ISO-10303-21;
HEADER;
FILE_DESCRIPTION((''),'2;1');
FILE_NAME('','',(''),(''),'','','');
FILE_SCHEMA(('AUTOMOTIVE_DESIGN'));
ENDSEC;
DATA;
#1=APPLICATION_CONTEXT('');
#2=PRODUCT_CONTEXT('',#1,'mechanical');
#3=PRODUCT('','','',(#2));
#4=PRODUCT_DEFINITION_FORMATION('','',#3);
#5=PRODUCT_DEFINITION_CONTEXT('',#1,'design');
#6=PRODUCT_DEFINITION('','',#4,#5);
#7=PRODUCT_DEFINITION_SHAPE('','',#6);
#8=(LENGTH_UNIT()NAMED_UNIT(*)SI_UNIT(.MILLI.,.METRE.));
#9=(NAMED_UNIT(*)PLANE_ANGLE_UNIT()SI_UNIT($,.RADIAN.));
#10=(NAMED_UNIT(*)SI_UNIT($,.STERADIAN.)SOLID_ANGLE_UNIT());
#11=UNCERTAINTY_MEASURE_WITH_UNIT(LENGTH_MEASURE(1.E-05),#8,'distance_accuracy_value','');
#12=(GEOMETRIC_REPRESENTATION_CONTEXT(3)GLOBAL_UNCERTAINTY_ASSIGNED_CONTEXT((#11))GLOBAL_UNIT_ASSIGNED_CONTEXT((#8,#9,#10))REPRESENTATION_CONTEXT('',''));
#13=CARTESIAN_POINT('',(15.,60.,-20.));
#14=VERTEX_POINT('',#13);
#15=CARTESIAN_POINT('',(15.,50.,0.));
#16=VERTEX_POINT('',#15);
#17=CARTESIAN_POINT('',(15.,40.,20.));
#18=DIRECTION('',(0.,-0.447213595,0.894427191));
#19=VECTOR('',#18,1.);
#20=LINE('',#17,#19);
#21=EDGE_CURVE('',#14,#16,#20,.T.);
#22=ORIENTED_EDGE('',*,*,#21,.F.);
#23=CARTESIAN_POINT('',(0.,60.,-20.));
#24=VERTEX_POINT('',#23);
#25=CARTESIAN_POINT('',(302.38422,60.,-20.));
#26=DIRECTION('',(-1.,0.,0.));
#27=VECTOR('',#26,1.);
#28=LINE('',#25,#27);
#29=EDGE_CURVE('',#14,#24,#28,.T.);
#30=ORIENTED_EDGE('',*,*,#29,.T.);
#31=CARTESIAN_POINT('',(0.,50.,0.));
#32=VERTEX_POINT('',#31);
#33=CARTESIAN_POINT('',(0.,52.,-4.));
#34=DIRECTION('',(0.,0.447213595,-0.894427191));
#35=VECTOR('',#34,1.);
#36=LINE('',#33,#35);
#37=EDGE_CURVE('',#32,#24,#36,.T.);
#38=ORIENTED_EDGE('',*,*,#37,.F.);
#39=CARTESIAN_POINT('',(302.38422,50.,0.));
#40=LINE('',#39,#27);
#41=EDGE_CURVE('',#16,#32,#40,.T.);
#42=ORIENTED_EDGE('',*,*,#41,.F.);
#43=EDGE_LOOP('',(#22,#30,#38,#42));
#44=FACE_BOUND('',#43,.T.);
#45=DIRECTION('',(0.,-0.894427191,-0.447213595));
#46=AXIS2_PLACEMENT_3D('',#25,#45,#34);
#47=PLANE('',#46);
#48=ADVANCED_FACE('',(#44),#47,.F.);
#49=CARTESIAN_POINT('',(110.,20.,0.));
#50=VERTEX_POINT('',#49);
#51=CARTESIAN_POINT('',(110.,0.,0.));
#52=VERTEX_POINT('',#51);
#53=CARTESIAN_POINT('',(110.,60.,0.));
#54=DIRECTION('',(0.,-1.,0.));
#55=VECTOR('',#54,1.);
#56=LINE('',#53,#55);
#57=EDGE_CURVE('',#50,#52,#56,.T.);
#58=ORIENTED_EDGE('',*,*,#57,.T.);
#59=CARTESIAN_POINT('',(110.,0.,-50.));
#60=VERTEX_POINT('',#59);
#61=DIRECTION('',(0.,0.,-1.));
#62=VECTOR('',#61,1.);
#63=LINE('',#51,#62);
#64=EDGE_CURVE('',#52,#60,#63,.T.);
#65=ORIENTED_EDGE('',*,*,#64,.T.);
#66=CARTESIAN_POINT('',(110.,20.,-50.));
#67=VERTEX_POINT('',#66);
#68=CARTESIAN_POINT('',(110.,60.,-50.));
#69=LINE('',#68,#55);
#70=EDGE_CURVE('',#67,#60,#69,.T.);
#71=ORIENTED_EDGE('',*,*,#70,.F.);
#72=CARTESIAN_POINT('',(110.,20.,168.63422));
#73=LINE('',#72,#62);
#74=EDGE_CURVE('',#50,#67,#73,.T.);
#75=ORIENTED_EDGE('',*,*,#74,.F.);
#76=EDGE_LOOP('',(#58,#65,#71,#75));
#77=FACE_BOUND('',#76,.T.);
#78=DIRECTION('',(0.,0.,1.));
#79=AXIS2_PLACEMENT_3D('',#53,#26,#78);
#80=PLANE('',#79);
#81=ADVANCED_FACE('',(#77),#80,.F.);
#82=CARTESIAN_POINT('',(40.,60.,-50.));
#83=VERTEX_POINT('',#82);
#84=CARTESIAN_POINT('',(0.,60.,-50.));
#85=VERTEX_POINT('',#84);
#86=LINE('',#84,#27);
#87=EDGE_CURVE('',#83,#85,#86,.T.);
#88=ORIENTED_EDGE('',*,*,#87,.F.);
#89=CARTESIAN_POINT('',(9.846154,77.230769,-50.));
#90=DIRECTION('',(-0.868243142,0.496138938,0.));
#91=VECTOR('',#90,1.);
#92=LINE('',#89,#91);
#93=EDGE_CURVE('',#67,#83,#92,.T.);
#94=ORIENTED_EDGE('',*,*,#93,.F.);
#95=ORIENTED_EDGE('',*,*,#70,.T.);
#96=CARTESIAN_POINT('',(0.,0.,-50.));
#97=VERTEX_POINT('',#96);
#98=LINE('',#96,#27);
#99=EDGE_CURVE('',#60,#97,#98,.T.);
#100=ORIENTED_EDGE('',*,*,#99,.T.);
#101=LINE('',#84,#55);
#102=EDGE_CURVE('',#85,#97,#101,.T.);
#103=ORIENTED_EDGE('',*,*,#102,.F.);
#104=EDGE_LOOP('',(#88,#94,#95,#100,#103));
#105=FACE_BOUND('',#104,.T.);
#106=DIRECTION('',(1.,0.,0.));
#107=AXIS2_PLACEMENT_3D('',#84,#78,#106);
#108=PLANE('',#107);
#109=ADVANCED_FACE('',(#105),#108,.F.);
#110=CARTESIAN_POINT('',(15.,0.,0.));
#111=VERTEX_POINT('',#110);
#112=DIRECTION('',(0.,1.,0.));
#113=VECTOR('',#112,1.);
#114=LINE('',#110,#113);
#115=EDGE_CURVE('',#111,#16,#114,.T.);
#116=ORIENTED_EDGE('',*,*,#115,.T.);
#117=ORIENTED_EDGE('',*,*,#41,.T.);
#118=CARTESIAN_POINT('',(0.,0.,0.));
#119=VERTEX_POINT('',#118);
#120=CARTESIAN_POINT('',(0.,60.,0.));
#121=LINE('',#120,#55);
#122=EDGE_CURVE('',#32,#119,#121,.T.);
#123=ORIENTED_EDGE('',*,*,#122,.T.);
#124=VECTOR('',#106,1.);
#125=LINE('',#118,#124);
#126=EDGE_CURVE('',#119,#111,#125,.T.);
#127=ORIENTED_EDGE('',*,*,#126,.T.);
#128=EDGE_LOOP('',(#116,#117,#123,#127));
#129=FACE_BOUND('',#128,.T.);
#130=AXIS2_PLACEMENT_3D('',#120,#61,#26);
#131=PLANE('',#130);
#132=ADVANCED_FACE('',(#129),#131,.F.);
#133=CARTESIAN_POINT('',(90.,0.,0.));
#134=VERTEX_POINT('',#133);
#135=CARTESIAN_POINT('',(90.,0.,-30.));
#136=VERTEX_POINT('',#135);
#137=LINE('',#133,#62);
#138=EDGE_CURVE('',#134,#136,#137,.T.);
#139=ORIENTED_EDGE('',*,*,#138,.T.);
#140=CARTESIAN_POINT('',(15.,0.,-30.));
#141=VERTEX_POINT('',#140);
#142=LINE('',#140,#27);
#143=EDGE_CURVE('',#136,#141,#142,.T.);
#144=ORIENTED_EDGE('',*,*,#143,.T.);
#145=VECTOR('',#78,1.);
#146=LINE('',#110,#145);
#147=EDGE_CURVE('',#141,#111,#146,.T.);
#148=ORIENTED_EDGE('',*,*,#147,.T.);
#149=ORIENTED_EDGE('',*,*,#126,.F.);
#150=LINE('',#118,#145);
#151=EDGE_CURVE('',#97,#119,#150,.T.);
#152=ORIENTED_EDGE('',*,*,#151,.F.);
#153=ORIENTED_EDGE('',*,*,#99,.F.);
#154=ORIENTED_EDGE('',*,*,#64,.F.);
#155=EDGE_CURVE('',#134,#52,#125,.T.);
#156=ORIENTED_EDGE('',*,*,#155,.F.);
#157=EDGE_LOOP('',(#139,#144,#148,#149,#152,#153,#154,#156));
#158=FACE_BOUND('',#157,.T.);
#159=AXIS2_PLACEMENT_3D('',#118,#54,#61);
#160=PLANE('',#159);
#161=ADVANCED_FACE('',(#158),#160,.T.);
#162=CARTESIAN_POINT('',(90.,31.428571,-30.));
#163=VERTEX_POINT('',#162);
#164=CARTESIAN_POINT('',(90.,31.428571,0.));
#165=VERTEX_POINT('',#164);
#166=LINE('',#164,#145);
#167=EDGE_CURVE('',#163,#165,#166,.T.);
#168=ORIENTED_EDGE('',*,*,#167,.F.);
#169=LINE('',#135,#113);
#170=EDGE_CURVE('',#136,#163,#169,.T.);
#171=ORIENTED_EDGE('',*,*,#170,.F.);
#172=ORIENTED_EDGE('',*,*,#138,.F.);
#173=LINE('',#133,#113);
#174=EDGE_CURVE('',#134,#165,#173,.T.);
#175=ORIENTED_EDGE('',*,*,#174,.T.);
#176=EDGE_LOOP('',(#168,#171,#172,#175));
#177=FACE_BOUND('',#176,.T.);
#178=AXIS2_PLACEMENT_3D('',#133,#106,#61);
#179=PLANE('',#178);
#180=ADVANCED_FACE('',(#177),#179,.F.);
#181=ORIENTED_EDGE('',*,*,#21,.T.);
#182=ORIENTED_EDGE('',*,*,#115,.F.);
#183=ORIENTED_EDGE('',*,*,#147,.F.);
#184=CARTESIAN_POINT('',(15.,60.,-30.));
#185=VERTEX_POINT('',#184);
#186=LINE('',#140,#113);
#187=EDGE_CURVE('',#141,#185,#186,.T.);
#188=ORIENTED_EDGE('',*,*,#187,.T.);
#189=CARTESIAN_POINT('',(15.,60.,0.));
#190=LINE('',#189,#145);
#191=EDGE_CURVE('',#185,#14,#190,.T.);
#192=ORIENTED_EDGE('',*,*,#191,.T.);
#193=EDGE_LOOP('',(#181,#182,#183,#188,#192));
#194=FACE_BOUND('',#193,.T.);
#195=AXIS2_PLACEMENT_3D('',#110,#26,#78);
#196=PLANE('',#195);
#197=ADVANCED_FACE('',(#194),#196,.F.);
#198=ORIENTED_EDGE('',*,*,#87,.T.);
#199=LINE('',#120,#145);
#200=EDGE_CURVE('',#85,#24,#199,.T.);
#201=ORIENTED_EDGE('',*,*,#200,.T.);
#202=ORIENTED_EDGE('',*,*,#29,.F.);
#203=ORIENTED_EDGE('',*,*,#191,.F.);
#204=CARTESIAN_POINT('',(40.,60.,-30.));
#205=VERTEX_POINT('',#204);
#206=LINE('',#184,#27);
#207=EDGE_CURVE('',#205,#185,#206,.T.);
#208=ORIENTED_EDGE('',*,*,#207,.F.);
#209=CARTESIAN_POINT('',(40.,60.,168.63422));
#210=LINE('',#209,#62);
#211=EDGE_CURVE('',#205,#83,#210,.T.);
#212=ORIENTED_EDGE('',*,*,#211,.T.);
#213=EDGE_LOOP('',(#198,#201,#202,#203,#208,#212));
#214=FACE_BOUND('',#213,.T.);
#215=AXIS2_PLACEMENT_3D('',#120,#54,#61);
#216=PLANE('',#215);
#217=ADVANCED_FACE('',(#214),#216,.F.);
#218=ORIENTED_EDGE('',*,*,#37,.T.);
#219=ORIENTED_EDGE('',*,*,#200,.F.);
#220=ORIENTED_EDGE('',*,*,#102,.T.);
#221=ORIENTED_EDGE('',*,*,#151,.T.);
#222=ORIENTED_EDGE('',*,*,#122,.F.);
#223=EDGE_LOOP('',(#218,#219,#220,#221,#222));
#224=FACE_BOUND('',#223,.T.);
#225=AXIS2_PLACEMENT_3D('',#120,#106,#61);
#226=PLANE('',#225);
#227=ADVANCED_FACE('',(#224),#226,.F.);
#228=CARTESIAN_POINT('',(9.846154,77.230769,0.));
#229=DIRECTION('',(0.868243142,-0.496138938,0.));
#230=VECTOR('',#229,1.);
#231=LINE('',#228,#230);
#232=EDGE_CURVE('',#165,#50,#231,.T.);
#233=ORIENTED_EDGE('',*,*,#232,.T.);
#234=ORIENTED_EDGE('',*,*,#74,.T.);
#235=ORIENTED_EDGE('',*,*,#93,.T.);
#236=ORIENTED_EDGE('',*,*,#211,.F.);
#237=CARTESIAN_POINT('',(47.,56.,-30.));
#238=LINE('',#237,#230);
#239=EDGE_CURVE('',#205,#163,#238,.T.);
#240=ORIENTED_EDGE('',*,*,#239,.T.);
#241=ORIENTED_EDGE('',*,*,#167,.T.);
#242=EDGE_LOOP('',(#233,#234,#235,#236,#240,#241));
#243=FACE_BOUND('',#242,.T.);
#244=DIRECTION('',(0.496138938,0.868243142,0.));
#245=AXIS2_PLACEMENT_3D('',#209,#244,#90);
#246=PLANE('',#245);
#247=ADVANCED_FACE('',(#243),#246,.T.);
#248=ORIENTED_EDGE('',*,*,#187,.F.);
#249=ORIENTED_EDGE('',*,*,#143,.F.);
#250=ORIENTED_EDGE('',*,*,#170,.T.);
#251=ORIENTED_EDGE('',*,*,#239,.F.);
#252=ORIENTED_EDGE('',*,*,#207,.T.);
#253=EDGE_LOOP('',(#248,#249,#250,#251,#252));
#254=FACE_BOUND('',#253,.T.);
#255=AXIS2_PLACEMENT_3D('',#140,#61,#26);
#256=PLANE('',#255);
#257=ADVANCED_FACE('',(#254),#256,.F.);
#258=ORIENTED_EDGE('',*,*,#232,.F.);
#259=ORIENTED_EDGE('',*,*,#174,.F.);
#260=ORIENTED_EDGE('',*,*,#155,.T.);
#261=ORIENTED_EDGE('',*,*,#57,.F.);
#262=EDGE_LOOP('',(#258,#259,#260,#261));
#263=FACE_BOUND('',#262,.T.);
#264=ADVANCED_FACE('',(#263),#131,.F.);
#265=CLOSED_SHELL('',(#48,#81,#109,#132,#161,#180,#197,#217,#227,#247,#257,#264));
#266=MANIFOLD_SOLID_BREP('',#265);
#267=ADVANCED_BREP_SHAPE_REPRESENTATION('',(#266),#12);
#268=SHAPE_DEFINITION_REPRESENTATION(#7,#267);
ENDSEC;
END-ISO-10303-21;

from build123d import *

# Parameters (mm, degrees)
SKETCH_1_W               = 110
SKETCH_1_H               = 50
EXTRUDE_1_DEPTH          = 60
SKETCH_2_W               = 75
SKETCH_2_H               = 30
CUT_EXTRUDE_1_DEPTH      = 135.907375632
CUT_EXTRUDE_2_DEPTH      = 135.907375632
CUT_EXTRUDE_2_DEPTH_BACK = 135.907375632
CUT_EXTRUDE_3_DEPTH      = 123.983738762
CUT_EXTRUDE_3_DEPTH_BACK = 123.983738762


with BuildPart() as part:
    # 스케치1 → 보스-돌출1 (new body)
    with BuildSketch(Plane(origin=(0, 0, 0), x_dir=(1, 0, 0), z_dir=(0, 1, 0))):
        with Locations((55, 25)):
            Rectangle(SKETCH_1_W, SKETCH_1_H)
    extrude(amount=EXTRUDE_1_DEPTH)

    # 스케치2 → 컷-돌출1 (cut, through all)
    with BuildSketch(Plane(origin=(0, 60, 0), x_dir=(1, 0, 0), z_dir=(0, 1, 0))):
        with Locations((52.5, 15)):
            Rectangle(SKETCH_2_W, SKETCH_2_H)
    extrude(amount=-CUT_EXTRUDE_1_DEPTH, mode=Mode.SUBTRACT)

    # 스케치4 → 컷-돌출2 (cut, two sides: drawn at the far end of the back side and taken through both)
    with BuildSketch(Plane.XY.offset(-CUT_EXTRUDE_2_DEPTH_BACK)):
        Polygon((-171.932939983, 181.104537133), (40, 60), (110, 20), (321.932939983, -101.104537133), (564.14201425, 322.761342833), (70.276134283, 604.9704171), align=None)
    extrude(amount=CUT_EXTRUDE_2_DEPTH + CUT_EXTRUDE_2_DEPTH_BACK, mode=Mode.SUBTRACT)

    # 스케치5 → 컷-돌출3 (cut, two sides: drawn at the far end of the back side and taken through both)
    with BuildSketch(Plane(origin=(15, 0, 0), x_dir=(0, 0, -1), z_dir=(1, 0, 0)).offset(-CUT_EXTRUDE_3_DEPTH_BACK)):
        Polygon((155.435378317, 127.717689158), (20, 60), (0, 50), (-135.435378317, -17.717689158), (-270.870756633, 253.153067475), (20, 398.588445792), align=None)
    extrude(amount=CUT_EXTRUDE_3_DEPTH + CUT_EXTRUDE_3_DEPTH_BACK, mode=Mode.SUBTRACT)


solid = part.part
